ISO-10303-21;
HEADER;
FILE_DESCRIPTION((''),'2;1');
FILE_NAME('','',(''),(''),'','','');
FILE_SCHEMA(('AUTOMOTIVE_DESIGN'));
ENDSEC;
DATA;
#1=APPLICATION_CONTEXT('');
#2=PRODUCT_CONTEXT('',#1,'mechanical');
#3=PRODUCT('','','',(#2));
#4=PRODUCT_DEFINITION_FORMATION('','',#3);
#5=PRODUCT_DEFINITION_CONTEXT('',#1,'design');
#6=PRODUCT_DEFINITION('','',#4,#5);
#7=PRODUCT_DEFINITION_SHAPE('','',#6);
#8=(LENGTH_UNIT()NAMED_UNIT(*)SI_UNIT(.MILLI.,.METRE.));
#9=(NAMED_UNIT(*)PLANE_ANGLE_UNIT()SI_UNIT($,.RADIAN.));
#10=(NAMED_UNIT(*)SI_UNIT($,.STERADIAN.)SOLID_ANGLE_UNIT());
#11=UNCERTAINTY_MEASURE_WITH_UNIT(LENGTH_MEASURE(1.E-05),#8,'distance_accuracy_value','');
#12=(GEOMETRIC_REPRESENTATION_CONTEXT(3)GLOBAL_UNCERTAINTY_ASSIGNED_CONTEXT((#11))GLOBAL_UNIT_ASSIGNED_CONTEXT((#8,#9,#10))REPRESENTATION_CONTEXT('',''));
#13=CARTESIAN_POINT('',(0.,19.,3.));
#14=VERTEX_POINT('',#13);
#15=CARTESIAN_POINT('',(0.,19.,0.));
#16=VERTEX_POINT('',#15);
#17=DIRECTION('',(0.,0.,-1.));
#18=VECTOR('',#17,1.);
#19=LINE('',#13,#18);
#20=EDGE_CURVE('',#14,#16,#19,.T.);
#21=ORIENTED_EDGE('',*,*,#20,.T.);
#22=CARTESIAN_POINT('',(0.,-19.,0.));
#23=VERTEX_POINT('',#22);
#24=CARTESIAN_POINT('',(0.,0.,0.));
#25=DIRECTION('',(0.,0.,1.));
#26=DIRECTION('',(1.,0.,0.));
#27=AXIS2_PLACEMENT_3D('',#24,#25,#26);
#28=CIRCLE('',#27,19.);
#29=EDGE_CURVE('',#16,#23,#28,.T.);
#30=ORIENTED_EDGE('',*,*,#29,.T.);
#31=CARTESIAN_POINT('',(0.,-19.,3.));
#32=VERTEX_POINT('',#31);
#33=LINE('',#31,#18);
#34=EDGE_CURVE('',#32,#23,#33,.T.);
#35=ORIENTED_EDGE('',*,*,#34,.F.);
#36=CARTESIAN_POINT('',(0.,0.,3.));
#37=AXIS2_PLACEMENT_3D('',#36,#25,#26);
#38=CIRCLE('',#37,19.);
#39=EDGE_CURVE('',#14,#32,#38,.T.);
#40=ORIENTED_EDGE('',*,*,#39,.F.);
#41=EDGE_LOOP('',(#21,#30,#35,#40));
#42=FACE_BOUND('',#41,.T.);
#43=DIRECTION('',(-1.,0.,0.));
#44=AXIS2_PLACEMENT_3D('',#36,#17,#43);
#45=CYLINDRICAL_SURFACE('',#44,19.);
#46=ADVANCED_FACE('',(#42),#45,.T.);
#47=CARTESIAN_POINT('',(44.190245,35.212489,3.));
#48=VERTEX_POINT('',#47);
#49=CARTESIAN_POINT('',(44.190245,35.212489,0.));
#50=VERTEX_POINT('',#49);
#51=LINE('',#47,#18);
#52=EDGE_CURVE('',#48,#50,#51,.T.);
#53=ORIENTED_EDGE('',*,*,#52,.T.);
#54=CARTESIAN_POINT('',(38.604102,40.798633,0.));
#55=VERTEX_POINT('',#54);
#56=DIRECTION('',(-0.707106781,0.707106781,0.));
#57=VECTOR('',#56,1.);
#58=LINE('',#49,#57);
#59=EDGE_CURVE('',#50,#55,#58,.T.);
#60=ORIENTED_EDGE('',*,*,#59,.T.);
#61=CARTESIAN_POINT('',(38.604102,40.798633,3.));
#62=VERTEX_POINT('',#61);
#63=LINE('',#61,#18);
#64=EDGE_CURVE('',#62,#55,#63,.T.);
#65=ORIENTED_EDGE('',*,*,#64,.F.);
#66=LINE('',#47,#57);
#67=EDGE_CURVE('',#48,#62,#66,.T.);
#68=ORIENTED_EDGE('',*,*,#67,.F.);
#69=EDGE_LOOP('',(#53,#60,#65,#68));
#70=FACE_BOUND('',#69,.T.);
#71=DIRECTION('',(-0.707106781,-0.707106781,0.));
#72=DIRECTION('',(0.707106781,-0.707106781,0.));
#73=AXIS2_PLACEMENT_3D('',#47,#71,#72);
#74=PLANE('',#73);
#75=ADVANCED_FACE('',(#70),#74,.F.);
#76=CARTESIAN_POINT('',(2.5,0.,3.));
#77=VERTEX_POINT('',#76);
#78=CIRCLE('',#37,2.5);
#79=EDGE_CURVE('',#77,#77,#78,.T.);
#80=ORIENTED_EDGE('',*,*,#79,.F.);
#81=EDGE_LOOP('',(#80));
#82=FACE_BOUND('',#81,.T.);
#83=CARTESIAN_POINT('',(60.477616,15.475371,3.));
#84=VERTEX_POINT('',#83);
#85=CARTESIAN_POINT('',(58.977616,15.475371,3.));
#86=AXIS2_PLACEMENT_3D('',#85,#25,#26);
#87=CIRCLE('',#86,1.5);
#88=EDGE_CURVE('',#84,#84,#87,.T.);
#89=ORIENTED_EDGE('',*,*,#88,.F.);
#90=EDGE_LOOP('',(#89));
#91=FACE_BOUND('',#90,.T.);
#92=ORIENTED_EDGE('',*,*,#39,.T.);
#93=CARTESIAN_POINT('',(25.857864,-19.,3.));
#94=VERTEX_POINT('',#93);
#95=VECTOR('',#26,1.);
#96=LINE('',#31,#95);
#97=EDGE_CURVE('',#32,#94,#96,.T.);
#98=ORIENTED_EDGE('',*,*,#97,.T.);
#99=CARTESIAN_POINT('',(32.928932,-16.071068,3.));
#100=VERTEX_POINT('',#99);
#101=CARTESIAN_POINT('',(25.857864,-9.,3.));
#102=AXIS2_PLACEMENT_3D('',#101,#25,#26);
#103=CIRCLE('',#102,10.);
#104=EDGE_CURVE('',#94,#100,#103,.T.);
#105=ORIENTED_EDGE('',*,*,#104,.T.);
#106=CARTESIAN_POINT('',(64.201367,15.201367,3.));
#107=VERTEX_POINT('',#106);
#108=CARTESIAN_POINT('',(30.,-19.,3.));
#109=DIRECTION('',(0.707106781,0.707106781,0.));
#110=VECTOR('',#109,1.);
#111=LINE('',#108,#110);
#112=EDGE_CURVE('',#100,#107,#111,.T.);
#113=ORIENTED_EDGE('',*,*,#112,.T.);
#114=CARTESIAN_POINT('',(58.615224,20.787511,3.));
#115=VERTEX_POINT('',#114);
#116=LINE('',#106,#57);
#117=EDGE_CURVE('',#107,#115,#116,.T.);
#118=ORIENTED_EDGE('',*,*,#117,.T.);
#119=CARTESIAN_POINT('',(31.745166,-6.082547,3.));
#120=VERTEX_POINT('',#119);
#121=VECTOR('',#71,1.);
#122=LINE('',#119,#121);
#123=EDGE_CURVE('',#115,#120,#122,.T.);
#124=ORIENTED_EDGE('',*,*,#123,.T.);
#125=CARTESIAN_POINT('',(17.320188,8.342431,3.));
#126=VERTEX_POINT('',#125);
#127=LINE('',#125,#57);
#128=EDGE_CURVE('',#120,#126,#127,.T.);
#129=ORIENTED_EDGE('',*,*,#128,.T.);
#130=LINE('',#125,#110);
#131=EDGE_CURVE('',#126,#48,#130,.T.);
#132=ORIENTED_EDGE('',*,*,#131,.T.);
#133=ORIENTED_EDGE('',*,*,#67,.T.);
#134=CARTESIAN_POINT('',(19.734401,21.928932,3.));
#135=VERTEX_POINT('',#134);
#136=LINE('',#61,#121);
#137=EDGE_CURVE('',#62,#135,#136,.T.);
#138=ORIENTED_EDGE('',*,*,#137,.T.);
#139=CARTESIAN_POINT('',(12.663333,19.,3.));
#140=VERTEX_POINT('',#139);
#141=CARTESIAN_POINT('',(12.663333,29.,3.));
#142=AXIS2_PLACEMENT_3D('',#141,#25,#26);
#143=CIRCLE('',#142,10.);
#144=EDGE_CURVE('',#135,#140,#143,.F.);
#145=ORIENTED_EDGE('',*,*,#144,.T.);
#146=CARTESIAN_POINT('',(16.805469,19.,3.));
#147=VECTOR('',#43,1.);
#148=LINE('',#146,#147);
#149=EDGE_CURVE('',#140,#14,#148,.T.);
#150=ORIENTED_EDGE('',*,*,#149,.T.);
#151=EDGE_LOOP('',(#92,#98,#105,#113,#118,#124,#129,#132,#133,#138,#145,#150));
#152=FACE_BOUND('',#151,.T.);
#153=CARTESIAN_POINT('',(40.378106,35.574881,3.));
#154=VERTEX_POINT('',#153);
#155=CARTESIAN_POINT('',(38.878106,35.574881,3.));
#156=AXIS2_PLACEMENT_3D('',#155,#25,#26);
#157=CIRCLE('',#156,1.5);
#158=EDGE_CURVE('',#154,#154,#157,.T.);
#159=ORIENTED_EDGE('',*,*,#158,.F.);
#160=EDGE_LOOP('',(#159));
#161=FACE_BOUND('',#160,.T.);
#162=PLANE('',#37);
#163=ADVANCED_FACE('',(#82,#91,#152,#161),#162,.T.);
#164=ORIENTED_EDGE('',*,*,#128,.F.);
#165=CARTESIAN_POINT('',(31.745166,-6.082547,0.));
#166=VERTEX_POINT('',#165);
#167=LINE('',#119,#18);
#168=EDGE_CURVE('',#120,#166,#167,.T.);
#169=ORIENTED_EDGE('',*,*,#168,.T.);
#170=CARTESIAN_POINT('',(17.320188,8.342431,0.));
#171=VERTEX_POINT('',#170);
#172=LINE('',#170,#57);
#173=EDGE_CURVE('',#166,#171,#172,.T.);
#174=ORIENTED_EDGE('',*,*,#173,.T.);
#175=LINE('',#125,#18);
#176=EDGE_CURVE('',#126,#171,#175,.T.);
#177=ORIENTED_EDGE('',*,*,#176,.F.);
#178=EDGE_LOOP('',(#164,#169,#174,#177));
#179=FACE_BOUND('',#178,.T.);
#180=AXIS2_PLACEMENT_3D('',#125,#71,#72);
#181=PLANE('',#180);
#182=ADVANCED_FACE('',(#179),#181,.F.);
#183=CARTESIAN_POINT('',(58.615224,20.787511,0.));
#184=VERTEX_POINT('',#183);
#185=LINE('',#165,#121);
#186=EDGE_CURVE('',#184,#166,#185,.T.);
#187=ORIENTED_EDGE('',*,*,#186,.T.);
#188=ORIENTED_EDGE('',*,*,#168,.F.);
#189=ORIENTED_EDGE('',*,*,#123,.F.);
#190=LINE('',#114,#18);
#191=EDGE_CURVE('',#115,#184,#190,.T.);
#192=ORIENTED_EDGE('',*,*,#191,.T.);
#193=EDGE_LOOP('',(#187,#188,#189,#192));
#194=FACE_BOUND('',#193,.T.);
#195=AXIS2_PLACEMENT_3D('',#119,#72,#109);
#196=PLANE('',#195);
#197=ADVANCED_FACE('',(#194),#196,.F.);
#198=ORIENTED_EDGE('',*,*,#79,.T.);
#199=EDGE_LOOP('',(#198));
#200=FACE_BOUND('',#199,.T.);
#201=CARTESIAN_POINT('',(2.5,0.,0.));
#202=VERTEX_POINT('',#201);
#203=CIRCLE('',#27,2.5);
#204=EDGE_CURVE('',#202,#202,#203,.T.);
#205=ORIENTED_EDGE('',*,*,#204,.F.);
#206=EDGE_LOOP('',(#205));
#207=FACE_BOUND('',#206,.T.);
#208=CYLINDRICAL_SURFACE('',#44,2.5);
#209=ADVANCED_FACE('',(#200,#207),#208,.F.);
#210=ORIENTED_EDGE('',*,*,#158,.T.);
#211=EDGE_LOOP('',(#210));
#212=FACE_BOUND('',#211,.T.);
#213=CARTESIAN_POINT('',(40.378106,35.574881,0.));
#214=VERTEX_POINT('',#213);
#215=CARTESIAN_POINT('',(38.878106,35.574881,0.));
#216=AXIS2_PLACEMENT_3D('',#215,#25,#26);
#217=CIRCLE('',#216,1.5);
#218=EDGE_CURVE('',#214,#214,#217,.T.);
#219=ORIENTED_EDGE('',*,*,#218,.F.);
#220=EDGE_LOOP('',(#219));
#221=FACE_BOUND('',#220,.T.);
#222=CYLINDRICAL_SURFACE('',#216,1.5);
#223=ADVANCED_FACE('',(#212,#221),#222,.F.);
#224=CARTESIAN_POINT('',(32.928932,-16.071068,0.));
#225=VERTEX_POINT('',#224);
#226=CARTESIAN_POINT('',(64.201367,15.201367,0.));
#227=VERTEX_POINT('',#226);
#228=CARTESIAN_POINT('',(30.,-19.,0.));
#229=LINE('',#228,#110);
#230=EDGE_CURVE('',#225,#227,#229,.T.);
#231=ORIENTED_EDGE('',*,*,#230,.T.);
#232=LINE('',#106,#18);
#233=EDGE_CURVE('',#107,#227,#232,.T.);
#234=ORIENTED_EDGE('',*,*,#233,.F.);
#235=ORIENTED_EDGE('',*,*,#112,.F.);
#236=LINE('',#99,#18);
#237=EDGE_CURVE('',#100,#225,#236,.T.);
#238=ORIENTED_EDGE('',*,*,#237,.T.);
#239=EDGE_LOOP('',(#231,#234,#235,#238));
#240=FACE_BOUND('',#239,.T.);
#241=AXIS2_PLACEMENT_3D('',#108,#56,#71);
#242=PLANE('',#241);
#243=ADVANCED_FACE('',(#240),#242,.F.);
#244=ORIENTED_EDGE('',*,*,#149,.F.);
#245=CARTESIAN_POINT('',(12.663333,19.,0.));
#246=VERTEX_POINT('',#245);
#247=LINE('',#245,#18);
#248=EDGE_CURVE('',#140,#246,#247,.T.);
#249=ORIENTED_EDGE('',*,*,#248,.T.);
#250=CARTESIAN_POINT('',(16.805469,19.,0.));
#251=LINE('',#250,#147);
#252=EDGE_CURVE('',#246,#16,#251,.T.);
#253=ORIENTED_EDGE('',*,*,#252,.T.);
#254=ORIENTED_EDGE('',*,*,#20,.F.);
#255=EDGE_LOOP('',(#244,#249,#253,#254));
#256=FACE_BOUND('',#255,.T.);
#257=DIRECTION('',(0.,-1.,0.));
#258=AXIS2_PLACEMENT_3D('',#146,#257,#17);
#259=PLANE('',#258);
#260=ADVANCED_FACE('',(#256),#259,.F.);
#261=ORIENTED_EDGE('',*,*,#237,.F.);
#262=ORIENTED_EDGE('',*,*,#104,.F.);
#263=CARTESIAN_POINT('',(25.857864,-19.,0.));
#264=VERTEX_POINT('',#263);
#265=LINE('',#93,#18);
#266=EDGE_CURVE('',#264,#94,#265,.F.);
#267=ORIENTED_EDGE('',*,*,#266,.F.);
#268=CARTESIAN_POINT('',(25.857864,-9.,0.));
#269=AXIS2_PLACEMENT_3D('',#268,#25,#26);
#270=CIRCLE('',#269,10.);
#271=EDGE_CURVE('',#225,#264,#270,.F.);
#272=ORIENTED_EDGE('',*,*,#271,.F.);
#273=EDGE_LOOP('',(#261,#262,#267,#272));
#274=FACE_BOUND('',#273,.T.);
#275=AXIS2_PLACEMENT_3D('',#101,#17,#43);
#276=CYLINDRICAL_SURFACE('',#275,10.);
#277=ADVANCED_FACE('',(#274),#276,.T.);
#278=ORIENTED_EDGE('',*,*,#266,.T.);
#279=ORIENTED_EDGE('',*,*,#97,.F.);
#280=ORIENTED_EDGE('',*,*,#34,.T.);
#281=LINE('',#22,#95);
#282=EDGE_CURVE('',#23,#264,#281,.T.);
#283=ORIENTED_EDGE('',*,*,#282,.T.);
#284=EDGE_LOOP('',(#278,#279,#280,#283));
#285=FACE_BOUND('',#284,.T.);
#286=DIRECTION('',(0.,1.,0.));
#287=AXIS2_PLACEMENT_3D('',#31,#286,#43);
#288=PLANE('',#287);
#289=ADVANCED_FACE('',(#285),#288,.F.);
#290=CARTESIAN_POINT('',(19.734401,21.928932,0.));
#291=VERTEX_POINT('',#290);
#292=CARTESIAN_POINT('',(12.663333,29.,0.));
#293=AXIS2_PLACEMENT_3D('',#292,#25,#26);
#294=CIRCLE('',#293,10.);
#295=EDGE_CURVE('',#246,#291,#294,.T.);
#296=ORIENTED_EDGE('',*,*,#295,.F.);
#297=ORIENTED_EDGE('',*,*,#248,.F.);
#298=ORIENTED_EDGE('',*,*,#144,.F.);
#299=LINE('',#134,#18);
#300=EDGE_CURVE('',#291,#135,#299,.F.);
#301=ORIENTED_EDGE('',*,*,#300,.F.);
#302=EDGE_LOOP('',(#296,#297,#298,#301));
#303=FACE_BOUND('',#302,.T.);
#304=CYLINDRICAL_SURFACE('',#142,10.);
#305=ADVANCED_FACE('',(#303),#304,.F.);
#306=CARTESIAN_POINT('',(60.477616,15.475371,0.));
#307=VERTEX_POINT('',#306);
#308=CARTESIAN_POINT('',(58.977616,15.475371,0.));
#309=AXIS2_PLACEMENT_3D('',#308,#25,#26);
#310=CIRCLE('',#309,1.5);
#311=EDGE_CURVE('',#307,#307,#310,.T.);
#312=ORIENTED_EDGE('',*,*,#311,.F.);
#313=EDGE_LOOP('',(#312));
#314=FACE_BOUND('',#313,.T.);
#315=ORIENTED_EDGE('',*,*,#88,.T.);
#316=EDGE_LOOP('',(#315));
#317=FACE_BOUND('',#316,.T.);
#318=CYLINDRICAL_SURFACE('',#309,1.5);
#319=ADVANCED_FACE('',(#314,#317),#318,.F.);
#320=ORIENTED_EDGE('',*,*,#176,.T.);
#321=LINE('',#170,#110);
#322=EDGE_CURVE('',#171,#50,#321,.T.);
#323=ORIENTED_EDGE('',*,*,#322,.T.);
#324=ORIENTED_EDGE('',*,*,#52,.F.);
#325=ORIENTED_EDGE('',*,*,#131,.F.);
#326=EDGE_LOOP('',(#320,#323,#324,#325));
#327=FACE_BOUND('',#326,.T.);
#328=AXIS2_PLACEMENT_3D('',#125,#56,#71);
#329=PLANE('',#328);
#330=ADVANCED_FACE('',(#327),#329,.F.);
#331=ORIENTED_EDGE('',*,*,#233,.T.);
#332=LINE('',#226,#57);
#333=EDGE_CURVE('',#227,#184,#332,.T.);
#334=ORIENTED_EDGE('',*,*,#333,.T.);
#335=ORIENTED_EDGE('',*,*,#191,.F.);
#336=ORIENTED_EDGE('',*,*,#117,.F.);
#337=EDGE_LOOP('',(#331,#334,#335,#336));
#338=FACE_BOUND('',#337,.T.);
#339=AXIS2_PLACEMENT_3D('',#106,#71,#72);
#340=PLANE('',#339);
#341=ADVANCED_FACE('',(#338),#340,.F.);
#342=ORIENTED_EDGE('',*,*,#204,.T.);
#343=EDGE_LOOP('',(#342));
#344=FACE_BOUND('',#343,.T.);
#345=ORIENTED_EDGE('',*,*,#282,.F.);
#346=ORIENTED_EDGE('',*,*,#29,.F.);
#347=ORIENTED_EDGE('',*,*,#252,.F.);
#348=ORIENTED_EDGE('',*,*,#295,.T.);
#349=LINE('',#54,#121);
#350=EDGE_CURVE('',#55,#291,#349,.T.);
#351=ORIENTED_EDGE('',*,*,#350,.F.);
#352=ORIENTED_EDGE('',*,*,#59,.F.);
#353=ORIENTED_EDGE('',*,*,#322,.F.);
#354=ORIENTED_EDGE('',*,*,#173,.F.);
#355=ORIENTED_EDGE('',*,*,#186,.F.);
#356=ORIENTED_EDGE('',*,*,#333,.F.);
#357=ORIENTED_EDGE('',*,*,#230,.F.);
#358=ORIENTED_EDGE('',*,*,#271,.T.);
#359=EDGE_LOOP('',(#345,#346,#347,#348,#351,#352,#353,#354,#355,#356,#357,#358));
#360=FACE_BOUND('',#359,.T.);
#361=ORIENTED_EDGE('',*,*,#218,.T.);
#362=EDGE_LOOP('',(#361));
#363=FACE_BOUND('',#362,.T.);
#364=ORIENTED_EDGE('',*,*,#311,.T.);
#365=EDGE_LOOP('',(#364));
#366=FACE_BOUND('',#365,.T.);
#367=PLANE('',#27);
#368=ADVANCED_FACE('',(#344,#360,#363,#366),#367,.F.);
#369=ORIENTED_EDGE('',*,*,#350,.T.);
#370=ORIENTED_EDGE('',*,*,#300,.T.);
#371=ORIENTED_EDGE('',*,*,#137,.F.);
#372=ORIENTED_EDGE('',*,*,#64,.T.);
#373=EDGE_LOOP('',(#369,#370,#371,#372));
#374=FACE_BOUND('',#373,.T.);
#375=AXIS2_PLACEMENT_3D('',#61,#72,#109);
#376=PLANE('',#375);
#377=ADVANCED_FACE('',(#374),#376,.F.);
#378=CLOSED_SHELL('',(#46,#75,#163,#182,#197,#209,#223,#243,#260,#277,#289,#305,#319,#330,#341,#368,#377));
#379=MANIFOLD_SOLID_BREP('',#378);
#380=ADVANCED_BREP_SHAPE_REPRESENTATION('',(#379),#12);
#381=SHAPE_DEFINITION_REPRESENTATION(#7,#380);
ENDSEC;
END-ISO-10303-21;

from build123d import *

# Parameters (mm, degrees)
SKETCH1_R           = 2.5
BOSS_EXTRUDE1_DEPTH = 3
SKETCH2_R           = 1.5
CUT_EXTRUDE1_DEPTH  = 77.127156728
FILLET1_R           = 10


with BuildPart() as part:
    # Sketch1 → Boss-Extrude1 (new body)
    with BuildSketch(Plane.XY):
        with BuildLine():
            Line((0, -19), (30, -19))
            Line((30, -19), (64.201367261, 15.201367261))
            Line((64.201367261, 15.201367261), (58.615223689, 20.787510832))
            Line((58.615223689, 20.787510832), (31.745166004, -6.082546853))
            Line((31.745166004, -6.082546853), (17.320187668, 8.342431483))
            Line((17.320187668, 8.342431483), (44.190245353, 35.212489168))
            Line((44.190245353, 35.212489168), (38.604101782, 40.798632739))
            Line((38.604101782, 40.798632739), (16.805469042, 19))
            Line((16.805469042, 19), (0, 19))
            ThreePointArc((0, 19), (-19, 0), (0, -19))
        make_face()
        Circle(SKETCH1_R, mode=Mode.SUBTRACT)
    extrude(amount=BOSS_EXTRUDE1_DEPTH)

    # Sketch2 → Cut-Extrude1 (cut, through all)
    with BuildSketch(Plane.XY.offset(3)):
        with Locations((38.878105659, 35.574881393)):
            Circle(SKETCH2_R)
        with Locations((58.977615915, 15.475371138)):
            Circle(SKETCH2_R)
    extrude(amount=-CUT_EXTRUDE1_DEPTH, mode=Mode.SUBTRACT)

    # Fillet1
    fillet1_edges = [part.edges().sort_by_distance(p)[0] for p in [
        (30, -19, 1.5),
        (16.805469042, 19, 1.5),
    ]]
    fillet(fillet1_edges, radius=FILLET1_R)


solid = part.part
